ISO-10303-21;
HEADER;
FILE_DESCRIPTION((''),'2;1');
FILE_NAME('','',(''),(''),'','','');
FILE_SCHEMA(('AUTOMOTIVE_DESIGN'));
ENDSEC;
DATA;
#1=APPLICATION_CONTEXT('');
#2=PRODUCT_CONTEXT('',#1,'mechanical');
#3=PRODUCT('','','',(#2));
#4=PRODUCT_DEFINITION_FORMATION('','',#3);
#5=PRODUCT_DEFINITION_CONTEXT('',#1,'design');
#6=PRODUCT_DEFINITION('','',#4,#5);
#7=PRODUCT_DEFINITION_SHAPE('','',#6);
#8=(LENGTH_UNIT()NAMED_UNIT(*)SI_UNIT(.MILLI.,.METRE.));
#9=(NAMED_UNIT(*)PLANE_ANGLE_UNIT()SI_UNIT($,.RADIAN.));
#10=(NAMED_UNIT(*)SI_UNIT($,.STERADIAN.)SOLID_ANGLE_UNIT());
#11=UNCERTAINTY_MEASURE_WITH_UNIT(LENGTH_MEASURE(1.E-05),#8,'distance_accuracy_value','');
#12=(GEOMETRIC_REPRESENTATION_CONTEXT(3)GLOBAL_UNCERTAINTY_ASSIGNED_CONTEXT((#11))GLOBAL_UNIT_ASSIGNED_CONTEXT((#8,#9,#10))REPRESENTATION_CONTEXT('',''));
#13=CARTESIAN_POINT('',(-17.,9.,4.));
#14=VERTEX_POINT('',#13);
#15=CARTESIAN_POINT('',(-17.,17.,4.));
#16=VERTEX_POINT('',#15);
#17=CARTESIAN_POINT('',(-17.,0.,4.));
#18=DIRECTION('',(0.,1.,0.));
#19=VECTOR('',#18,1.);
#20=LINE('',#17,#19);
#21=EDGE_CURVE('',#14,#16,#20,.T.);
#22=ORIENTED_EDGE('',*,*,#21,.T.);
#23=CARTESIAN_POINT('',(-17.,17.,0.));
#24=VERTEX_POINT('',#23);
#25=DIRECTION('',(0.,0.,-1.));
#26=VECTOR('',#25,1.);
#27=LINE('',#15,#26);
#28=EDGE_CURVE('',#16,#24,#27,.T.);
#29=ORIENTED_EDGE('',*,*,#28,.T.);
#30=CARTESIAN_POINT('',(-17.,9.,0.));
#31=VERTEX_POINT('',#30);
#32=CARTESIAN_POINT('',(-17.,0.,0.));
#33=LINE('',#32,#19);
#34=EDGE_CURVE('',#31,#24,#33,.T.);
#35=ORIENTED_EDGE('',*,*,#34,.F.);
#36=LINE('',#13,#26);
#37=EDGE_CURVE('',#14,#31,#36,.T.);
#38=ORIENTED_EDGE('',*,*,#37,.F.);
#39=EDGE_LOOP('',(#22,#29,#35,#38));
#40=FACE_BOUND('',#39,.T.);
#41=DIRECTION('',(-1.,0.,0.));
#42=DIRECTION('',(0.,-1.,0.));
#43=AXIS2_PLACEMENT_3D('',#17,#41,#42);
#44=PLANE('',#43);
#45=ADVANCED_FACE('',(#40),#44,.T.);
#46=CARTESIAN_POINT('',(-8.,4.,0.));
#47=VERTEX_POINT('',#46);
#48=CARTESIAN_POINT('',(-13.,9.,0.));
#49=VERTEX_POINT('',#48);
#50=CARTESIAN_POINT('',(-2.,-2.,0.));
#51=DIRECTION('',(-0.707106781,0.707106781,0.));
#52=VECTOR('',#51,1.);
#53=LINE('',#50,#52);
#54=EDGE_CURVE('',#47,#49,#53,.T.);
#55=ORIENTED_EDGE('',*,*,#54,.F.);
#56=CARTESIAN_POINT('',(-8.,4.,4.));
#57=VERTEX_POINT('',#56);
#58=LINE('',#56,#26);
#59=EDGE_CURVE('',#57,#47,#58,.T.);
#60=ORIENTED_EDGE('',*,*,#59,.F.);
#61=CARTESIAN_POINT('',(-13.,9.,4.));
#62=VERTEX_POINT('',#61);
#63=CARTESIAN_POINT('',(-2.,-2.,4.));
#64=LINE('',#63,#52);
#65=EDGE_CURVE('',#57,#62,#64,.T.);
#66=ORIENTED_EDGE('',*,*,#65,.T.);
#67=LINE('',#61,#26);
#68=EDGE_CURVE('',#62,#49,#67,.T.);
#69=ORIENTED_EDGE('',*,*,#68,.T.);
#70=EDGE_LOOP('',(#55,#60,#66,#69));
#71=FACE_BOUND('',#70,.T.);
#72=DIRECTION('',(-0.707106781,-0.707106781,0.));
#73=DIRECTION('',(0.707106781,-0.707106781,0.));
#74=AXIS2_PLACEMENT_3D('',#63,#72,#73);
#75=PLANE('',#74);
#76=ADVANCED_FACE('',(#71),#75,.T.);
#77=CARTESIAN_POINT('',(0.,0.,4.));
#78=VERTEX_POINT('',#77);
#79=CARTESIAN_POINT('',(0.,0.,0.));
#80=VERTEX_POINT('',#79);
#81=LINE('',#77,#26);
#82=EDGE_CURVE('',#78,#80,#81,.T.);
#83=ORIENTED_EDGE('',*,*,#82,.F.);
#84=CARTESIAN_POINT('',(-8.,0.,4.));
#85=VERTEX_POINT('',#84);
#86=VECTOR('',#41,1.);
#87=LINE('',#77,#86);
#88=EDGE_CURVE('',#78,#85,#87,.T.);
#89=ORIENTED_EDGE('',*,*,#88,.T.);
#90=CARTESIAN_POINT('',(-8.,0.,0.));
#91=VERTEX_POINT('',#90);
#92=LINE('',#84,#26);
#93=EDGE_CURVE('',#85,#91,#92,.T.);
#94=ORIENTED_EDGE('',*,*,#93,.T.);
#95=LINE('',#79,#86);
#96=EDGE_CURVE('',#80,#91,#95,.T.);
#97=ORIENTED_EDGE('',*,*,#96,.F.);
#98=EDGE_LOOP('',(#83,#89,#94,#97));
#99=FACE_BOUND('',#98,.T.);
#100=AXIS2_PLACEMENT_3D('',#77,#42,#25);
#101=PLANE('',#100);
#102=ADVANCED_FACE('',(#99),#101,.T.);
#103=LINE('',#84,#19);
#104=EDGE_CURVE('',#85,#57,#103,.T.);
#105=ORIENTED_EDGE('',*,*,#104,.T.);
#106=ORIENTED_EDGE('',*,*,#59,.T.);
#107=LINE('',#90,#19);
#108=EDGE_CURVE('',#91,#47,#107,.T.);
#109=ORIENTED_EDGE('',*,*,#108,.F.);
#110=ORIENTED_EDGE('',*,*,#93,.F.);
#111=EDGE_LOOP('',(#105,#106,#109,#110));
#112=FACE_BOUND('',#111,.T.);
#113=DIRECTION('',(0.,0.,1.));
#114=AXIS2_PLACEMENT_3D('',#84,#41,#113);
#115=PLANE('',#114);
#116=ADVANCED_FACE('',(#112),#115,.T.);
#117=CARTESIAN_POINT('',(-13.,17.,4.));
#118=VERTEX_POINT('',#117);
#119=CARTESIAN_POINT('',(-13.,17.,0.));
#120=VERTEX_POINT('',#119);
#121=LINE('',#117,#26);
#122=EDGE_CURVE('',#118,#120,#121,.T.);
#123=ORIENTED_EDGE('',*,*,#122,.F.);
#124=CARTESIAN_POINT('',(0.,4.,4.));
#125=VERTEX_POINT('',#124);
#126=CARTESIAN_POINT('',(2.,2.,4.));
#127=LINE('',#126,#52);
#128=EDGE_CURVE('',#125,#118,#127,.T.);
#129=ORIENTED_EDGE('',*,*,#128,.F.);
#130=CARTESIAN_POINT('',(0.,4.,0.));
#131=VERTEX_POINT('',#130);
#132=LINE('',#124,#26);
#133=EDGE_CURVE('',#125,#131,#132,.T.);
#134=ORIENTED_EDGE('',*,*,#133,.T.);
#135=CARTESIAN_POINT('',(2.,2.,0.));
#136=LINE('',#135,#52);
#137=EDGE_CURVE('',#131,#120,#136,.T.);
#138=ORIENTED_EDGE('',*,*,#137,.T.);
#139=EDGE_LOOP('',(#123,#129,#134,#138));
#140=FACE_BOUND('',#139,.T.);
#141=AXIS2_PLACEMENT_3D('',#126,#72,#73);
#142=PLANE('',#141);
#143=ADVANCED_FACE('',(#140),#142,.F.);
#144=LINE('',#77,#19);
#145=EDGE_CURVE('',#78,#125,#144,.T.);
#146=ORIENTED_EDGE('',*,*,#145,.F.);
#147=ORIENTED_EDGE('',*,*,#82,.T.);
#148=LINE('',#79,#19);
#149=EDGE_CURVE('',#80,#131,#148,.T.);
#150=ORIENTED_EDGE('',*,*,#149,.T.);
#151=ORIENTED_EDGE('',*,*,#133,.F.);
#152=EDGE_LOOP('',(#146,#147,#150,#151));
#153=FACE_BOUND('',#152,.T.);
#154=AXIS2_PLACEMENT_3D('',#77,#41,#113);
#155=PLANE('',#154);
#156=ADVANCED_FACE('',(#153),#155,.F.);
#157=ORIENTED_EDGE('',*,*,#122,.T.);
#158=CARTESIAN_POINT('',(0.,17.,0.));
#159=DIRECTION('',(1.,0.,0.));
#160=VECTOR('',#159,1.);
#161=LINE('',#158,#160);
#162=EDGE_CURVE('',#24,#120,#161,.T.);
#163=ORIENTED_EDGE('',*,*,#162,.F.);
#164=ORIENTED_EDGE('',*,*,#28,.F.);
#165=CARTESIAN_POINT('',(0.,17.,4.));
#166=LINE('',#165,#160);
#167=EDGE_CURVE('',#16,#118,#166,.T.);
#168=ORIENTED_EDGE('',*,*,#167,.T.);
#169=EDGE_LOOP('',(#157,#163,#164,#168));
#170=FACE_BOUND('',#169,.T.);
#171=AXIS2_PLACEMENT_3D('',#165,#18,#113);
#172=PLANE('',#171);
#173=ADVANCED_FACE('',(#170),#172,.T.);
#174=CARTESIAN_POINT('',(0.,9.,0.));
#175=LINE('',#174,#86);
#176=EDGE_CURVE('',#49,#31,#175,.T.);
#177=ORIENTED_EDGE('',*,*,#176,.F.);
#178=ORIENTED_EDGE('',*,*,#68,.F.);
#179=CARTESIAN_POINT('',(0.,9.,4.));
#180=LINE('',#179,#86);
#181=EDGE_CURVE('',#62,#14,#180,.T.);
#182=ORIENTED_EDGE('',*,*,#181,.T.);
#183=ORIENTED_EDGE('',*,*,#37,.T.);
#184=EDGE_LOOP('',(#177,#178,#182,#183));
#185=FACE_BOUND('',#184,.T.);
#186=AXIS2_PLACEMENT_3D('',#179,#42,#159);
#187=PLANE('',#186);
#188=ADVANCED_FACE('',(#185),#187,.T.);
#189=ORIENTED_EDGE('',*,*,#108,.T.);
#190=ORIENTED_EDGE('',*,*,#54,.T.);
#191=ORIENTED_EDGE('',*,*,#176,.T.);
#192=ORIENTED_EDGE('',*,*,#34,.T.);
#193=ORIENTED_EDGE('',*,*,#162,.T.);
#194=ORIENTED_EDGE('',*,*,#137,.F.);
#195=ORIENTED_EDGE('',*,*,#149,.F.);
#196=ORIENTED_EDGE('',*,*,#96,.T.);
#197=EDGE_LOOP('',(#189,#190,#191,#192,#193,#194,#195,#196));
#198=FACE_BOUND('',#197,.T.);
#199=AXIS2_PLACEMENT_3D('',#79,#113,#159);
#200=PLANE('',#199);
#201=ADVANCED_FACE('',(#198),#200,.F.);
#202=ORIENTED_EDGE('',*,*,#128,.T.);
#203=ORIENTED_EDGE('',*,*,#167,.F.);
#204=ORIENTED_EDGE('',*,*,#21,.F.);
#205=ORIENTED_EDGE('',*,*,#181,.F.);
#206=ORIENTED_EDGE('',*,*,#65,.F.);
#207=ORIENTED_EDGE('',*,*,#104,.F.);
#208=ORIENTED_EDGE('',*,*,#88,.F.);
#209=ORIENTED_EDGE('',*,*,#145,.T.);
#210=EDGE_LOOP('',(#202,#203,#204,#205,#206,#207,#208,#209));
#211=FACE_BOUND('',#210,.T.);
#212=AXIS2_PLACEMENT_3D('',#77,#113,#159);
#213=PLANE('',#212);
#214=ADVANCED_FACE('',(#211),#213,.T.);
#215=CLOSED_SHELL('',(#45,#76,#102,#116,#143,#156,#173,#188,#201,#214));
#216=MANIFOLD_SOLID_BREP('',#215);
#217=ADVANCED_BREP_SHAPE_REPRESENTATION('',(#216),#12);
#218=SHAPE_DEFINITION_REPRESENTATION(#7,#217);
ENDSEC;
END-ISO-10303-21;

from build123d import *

# Parameters (mm, degrees)
SKETCH1_W           = 8
SKETCH1_H           = 4
SKETCH1_W_2         = 4
SKETCH1_H_2         = 8
BOSS_EXTRUDE1_DEPTH = 4


with BuildPart() as part:
    # Sketch1 → Boss-Extrude1 (new body)
    with BuildSketch(Plane.XY):
        Polygon((-13, 9), (-8, 4), (0, 4), (-5, 9), align=None)
        with Locations((-4, 2)):
            Rectangle(SKETCH1_W, SKETCH1_H)
        Polygon((-13, 17), (-13, 9), (-5, 9), align=None)
        with Locations((-15, 13)):
            Rectangle(SKETCH1_W_2, SKETCH1_H_2)
    extrude(amount=BOSS_EXTRUDE1_DEPTH)


solid = part.part
